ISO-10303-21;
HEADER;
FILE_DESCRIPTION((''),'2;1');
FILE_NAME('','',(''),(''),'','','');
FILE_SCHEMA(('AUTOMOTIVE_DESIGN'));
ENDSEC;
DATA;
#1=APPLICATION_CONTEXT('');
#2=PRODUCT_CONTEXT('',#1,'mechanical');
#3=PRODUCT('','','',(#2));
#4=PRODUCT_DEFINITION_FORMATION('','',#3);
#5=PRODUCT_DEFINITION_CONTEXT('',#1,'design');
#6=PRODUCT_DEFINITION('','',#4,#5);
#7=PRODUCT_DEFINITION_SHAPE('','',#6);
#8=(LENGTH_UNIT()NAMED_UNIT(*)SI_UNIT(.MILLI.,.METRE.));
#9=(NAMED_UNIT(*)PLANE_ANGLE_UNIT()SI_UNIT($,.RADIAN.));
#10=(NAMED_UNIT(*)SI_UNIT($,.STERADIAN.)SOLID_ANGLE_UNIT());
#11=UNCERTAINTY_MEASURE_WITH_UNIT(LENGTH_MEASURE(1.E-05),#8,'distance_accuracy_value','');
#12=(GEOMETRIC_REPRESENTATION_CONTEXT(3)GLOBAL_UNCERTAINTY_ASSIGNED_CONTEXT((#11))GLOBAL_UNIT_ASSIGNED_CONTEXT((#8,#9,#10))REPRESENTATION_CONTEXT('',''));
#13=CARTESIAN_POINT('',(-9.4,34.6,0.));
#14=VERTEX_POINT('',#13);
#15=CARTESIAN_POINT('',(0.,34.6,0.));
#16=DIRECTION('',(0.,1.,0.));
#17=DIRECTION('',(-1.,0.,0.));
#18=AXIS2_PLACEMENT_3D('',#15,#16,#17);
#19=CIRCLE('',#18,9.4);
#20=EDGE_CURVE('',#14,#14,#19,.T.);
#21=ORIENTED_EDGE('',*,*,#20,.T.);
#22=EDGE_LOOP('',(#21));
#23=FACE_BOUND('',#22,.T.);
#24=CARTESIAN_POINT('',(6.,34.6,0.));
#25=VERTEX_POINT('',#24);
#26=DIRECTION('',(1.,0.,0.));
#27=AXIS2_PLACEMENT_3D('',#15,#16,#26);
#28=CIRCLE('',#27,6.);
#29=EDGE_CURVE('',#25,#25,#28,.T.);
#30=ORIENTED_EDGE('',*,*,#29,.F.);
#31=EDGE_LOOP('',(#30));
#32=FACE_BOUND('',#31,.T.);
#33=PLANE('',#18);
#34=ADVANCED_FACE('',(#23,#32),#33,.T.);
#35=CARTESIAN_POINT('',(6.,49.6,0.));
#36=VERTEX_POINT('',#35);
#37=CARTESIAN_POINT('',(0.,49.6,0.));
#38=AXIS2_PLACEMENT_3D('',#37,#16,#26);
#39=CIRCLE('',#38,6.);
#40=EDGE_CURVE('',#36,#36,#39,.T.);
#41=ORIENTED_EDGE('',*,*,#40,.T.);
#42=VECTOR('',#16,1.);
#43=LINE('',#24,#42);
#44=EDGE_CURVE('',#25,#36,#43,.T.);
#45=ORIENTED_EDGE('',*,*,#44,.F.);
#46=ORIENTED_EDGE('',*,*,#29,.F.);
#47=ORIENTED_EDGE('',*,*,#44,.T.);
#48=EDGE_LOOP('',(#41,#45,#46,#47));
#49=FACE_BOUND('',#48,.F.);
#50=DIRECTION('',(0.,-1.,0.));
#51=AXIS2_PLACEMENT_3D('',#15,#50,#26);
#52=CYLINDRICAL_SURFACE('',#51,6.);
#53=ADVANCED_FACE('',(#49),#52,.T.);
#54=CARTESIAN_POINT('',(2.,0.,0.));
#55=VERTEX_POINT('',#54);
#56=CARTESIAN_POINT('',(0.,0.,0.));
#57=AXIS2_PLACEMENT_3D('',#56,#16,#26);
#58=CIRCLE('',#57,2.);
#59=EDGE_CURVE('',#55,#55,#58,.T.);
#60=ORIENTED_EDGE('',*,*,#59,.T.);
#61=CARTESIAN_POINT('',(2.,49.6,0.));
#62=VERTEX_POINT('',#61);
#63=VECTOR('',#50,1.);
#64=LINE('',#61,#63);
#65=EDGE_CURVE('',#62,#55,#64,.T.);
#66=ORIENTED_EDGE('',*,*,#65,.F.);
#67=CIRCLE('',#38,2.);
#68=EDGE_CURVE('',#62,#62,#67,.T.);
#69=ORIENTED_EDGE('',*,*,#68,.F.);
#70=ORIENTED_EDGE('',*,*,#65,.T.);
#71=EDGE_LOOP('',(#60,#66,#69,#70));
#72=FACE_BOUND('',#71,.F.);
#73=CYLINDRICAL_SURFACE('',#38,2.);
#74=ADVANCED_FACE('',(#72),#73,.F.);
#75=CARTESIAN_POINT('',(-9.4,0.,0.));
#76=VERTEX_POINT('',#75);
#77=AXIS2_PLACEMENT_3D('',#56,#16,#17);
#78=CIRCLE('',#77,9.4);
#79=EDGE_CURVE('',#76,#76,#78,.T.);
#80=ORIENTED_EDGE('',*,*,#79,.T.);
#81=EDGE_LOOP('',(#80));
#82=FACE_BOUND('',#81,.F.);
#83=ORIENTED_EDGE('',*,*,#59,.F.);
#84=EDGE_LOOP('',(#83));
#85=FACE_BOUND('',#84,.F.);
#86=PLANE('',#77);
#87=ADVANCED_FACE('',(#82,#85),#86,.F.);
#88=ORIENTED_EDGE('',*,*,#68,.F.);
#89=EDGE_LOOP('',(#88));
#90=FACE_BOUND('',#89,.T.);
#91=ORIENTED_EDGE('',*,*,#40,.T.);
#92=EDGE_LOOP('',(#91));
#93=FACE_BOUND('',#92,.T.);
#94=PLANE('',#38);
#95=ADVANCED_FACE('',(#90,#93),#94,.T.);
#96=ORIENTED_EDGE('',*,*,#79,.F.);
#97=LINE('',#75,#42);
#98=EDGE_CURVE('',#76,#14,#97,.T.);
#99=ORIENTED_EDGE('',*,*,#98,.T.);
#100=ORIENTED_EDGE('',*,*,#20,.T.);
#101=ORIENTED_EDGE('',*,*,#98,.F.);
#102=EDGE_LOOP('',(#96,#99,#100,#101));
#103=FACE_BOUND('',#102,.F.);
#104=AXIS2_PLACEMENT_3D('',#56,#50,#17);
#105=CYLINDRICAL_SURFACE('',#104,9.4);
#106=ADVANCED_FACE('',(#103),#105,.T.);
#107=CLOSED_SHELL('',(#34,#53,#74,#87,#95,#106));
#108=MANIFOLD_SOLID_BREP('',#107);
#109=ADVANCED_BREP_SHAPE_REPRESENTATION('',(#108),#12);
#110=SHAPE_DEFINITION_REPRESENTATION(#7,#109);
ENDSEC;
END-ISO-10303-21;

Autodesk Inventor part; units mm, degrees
ref_plane "YZ Plane" through (0, 0, 0) normal (1, 0, 0) x (0, 1, 0)
ref_plane "XZ Plane" through (0, 0, 0) normal (0, 1, 0) x (-1, 0, 0)
ref_plane "XY Plane" through (0, 0, 0) normal (0, 0, 1) x (1, 0, 0)
sketch "Sketch1" plane through (0, 0, 0) normal (0, 1, 0) x (-1, 0, 0)
  circle A0 centre (0, 0) radius 9.4
  dimension "d0" = 18.8
extrude "Extrusion1" add sketch "Sketch1" along normal blind 34.6
sketch "Sketch2" plane through (0, 34.6, 0) normal (0, 1, 0) x (1, 0, 0)
  circle A0 centre (0, 0) radius 6
  dimension "d3" = 12
extrude "Extrusion2" add sketch "Sketch2" along normal blind 15
thread "Thread1" size "M12x1.5" class "6g" standard "ANSI Metric M Profile" full length
sketch "Sketch3" plane through (0, 49.6, 0) normal (0, 1, 0) x (1, 0, 0)
  circle A0 centre (0, 0) radius 2
  dimension "d8" = 4
extrude "Extrusion3" cut sketch "Sketch3" against normal blind 50
properties part number "MC4_plug" material "PBT Plastic"
